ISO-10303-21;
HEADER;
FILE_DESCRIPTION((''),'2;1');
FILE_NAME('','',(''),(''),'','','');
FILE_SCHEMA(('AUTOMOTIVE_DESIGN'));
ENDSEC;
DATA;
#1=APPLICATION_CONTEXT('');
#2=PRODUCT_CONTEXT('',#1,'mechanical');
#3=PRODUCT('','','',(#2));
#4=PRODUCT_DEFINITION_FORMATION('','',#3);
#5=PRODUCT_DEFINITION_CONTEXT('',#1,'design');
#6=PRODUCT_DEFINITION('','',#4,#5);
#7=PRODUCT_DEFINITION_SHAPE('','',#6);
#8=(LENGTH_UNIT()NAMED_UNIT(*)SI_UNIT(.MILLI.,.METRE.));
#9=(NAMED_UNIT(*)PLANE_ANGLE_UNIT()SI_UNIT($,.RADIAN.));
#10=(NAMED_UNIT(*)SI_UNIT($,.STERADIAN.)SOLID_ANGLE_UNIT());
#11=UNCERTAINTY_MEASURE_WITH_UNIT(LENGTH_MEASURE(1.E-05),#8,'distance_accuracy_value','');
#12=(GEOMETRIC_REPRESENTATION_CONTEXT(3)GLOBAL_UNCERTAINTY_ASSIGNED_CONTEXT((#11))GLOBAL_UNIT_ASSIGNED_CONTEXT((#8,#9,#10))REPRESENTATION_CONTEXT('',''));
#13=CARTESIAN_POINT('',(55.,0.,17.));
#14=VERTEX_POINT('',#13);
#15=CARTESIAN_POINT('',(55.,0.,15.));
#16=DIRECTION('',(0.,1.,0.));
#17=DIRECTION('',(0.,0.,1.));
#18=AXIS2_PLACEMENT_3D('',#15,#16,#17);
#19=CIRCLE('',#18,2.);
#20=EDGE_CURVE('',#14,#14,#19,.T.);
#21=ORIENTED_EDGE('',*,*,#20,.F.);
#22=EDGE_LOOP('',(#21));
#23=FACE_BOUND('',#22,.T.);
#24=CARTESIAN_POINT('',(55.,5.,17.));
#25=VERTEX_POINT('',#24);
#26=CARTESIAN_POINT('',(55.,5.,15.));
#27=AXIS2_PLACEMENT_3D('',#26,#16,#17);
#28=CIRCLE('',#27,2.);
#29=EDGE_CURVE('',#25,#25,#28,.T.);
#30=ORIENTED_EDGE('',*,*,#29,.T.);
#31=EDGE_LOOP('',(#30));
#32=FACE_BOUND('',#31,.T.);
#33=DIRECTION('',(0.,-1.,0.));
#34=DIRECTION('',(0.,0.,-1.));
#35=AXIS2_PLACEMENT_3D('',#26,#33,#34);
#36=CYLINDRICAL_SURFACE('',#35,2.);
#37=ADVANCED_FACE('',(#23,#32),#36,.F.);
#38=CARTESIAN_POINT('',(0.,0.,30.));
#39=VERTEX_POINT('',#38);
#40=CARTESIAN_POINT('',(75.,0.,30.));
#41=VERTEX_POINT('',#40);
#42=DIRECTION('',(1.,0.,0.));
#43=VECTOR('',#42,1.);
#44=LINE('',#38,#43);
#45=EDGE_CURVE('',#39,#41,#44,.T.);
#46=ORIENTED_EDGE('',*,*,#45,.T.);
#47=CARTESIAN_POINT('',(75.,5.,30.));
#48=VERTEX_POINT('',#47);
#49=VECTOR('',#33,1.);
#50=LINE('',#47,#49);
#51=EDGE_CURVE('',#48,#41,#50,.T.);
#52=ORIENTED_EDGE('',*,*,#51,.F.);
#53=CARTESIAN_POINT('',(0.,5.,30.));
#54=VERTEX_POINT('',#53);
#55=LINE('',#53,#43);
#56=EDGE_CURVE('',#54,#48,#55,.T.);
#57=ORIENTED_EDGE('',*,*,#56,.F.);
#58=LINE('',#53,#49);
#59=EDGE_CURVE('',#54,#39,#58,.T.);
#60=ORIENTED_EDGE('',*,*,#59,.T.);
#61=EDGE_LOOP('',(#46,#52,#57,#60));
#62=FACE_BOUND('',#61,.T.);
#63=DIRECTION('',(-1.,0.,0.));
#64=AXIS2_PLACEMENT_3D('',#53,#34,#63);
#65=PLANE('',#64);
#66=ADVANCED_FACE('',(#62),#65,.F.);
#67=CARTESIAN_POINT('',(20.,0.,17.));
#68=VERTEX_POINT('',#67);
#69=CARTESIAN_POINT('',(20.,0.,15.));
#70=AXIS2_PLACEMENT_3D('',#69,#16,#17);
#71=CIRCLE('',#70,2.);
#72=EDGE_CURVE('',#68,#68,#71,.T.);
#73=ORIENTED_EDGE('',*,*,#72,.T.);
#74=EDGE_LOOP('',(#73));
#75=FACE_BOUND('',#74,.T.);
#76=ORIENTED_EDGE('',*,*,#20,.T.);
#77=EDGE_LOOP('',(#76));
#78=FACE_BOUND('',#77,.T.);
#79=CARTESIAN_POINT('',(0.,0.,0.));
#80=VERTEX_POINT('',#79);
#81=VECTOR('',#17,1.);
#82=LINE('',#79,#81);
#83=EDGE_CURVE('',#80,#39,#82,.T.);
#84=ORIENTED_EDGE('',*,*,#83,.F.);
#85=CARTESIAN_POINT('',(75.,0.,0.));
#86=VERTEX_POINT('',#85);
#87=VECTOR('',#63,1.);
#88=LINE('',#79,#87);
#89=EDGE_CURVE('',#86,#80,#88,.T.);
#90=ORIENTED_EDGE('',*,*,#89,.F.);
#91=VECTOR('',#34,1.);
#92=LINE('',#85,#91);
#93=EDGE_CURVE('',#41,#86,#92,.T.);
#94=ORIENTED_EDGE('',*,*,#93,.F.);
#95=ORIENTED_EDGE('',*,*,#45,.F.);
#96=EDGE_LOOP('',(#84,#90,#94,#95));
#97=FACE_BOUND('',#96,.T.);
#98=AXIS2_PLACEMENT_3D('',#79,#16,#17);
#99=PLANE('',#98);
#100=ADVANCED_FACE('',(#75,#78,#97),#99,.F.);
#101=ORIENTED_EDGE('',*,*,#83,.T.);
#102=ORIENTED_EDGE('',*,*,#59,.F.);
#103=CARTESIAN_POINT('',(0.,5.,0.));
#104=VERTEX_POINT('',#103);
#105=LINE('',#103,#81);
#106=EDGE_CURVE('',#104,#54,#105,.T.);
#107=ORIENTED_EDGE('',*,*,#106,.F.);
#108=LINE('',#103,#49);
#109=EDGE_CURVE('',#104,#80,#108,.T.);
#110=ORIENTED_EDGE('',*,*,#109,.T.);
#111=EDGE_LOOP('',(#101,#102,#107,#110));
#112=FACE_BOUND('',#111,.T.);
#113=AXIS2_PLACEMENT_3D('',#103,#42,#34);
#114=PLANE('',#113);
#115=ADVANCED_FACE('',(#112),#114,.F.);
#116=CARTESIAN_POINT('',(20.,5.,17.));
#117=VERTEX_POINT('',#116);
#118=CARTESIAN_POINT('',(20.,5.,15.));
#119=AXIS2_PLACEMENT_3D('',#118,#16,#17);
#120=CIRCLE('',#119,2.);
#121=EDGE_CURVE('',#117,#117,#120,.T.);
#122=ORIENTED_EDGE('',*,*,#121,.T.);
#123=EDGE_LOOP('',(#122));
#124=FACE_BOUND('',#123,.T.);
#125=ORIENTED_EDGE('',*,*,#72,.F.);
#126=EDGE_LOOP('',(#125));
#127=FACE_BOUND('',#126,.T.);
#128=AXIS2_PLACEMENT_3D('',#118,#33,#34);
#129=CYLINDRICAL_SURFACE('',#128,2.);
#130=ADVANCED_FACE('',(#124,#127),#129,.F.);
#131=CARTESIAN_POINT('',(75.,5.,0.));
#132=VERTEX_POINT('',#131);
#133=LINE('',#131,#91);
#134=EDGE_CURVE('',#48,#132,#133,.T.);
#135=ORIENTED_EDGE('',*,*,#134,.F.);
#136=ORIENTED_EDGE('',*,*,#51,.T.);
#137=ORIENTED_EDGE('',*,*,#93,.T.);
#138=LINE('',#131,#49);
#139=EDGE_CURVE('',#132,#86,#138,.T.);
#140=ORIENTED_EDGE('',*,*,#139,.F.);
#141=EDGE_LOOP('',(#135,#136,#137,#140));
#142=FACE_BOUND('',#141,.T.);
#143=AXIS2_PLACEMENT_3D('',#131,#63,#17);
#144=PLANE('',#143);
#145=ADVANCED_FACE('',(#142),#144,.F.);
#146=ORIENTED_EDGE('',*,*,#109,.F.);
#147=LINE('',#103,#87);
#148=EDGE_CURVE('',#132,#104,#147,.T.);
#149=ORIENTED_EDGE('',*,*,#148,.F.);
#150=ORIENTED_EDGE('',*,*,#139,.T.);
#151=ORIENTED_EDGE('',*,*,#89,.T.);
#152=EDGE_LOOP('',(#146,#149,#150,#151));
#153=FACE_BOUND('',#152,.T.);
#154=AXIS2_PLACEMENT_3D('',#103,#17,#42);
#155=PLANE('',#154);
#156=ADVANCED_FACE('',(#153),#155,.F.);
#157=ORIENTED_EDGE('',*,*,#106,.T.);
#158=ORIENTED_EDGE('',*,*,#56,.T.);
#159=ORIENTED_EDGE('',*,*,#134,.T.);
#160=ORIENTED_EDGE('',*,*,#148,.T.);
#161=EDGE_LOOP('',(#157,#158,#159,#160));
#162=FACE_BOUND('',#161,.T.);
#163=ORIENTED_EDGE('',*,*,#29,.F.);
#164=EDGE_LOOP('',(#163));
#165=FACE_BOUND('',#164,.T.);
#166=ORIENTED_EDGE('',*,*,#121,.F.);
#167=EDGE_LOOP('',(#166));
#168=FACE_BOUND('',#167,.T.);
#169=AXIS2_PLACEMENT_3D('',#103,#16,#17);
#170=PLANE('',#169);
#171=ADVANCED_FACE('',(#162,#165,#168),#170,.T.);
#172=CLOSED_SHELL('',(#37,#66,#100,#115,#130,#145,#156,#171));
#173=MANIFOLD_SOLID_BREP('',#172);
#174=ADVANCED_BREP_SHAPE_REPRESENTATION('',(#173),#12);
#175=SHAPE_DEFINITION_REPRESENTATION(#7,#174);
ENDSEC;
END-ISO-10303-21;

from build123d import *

# Parameters (mm, degrees)
SKETCH1_W           = 75
SKETCH1_H           = 30
SKETCH1_R           = 2
BOSS_EXTRUDE1_DEPTH = 5


with BuildPart() as part:
    # Sketch1 → Boss-Extrude1 (new body)
    with BuildSketch(Plane(origin=(0, 0, 0), x_dir=(1, 0, 0), z_dir=(0, 1, 0))):
        with Locations((37.5, -15)):
            Rectangle(SKETCH1_W, SKETCH1_H)
        with Locations(Location((20, -15, 0), (0, 0, 270))):
            Circle(SKETCH1_R, mode=Mode.SUBTRACT)
        with Locations(Location((55, -15, 0), (0, 0, 270))):
            Circle(SKETCH1_R, mode=Mode.SUBTRACT)
    extrude(amount=BOSS_EXTRUDE1_DEPTH)


solid = part.part
